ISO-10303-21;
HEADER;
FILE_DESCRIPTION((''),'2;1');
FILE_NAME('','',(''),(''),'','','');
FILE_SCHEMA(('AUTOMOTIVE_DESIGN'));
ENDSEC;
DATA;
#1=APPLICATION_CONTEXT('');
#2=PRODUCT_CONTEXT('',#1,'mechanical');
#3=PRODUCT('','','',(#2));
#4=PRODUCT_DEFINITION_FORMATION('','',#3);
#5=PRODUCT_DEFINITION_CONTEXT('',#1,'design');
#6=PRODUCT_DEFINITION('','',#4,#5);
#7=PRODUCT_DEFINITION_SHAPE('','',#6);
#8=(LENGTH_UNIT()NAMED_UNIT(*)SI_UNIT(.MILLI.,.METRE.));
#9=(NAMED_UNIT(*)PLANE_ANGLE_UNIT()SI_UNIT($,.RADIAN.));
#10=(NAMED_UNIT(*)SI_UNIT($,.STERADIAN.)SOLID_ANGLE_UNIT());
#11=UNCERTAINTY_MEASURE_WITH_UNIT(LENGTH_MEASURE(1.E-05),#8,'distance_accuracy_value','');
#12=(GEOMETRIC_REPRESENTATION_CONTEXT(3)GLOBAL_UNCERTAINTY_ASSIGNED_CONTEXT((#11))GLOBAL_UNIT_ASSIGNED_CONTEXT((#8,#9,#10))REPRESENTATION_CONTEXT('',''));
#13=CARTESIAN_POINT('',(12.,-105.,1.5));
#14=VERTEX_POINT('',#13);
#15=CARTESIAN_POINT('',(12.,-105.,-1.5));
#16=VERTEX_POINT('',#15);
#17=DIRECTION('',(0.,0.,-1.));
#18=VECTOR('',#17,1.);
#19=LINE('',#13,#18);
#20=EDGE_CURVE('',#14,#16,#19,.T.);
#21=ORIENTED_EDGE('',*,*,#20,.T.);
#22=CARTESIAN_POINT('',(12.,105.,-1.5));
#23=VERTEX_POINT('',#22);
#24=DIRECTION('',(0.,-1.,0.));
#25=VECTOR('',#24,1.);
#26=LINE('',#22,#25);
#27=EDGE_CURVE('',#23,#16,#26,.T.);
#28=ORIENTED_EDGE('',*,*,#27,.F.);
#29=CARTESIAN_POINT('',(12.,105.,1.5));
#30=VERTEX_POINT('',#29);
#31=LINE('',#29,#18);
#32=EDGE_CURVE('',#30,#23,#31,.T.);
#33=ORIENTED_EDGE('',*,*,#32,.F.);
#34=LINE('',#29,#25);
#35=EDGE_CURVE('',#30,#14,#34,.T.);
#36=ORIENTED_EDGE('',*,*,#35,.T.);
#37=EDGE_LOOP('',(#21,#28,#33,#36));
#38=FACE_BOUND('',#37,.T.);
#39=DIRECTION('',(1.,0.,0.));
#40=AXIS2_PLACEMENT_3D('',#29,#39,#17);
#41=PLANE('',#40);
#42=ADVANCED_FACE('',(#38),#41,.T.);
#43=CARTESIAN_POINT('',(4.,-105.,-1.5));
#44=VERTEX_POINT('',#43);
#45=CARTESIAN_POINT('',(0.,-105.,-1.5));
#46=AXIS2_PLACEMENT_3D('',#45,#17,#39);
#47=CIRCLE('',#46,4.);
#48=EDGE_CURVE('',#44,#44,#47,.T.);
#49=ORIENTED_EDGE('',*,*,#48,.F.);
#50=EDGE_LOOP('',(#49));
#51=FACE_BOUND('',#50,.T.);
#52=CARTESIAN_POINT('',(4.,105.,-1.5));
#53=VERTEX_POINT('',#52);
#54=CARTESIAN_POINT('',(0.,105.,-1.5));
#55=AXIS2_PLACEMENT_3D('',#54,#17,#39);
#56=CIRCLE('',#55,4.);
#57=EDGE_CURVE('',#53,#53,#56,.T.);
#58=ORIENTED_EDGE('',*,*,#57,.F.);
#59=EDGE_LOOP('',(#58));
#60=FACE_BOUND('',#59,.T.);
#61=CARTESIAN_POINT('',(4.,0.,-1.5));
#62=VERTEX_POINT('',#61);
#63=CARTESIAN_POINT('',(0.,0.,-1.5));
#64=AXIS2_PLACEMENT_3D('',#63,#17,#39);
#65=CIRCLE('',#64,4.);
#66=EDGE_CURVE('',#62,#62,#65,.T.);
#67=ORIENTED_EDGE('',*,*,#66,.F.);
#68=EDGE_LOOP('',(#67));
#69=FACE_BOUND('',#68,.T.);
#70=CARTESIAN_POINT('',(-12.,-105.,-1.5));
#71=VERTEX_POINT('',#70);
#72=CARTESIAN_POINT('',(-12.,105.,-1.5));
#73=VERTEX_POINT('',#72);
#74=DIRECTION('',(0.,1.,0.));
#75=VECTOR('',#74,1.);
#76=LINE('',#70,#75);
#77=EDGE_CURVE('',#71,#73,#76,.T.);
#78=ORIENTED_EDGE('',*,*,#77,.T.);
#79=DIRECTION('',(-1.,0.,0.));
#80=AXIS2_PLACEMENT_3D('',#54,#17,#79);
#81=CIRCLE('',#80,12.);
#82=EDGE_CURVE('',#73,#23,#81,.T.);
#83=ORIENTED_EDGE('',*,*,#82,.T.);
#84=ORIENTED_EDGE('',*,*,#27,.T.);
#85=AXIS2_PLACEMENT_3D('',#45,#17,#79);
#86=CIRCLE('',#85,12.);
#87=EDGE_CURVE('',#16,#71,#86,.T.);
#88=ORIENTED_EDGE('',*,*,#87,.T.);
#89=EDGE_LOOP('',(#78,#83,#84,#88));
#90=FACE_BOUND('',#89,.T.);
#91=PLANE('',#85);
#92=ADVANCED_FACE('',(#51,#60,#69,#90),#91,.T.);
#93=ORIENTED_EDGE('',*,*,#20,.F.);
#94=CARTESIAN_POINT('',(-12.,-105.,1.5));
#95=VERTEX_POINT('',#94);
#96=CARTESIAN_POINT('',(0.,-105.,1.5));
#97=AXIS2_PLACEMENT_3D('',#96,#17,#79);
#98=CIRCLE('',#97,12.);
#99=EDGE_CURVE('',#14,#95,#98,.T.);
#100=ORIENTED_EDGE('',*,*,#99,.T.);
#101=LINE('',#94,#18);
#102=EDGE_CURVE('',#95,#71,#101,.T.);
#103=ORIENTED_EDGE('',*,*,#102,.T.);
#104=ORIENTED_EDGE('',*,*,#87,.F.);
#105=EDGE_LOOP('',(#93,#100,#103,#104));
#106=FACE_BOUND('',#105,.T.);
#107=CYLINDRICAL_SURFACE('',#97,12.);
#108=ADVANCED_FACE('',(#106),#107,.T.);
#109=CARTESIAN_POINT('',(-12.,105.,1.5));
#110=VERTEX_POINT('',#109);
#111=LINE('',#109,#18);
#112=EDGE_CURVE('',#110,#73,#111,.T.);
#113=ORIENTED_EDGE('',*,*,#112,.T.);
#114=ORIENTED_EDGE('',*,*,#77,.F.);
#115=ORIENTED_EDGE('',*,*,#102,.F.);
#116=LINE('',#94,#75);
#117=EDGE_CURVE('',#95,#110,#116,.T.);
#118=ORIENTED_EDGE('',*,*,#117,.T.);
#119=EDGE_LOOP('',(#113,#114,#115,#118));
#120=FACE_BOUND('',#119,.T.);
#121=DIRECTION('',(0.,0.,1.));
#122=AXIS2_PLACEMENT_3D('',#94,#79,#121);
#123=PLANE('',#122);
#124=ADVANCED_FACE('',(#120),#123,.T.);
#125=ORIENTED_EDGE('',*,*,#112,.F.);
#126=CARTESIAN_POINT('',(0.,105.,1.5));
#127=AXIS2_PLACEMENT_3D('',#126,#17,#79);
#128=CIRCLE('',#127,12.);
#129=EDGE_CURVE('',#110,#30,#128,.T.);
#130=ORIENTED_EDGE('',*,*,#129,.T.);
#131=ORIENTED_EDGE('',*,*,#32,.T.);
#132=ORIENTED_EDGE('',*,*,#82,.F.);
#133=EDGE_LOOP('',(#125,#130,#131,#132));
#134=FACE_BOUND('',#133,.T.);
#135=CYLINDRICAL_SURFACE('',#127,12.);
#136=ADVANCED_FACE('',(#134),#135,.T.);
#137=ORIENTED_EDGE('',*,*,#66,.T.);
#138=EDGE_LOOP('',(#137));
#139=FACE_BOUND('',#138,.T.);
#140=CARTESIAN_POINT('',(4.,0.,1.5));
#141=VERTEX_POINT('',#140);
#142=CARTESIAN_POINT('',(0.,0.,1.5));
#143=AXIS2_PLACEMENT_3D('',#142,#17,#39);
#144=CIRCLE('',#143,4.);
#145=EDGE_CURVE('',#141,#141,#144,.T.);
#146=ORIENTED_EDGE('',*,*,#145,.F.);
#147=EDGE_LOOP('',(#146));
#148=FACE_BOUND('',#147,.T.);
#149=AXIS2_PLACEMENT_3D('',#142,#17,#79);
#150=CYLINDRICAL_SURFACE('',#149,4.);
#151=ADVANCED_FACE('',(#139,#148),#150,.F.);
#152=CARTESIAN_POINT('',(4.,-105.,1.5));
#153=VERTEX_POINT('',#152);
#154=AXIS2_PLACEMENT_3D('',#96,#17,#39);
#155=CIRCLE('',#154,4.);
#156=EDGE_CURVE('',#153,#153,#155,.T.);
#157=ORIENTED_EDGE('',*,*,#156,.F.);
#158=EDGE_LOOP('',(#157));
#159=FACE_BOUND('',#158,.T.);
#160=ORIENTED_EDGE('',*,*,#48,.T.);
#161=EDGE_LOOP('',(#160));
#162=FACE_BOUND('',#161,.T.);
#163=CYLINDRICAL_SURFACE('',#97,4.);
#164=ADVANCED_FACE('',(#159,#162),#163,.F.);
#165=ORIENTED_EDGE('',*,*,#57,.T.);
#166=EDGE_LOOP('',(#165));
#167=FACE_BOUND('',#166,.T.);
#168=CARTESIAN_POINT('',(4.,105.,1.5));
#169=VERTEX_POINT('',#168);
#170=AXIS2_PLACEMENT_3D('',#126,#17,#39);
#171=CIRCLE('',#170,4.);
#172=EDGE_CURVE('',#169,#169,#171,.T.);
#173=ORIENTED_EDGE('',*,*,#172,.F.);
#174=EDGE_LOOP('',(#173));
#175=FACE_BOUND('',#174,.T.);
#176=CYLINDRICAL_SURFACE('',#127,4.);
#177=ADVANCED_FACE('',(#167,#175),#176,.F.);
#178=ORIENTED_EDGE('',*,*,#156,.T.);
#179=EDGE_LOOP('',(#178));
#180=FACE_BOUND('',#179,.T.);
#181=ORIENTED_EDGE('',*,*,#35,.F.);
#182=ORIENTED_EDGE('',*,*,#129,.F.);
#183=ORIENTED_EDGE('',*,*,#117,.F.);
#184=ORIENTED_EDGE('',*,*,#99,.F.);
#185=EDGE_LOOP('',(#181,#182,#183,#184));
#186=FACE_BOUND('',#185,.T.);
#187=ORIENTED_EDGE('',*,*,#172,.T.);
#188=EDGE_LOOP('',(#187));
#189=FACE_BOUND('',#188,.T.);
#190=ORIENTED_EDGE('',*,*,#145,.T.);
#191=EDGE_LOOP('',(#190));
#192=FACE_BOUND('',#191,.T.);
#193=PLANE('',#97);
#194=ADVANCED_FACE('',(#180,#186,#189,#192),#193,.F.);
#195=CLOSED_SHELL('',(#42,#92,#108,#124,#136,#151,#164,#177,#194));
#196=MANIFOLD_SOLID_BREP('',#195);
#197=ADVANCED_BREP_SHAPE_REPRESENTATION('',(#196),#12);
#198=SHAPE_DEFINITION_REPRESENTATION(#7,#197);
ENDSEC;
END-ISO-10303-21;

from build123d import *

# Parameters (mm, degrees)
IZIM1_R                     = 4
Y_KSEKLIK_EKSTR_ZYON1_DEPTH = 3


with BuildPart() as part:
    # Çizim1 → Yükseklik-Ekstrüzyon1 (new body)
    with BuildSketch(Plane(origin=(0, 0, -1.5), x_dir=(-1, 0, 0), z_dir=(0, 0, -1))):
        with BuildLine():
            Line((12, -105), (12, 105))
            ThreePointArc((12, 105), (0, 117), (-12, 105))
            Line((-12, 105), (-12, -105))
            ThreePointArc((-12, -105), (0, -117), (12, -105))
        make_face()
        with Locations(Location((0, -105, 0), (0, 0, 180))):
            Circle(IZIM1_R, mode=Mode.SUBTRACT)
        with Locations(Location((0, 0, 0), (0, 0, 180))):
            Circle(IZIM1_R, mode=Mode.SUBTRACT)
        with Locations(Location((0, 105, 0), (0, 0, 180))):
            Circle(IZIM1_R, mode=Mode.SUBTRACT)
    extrude(amount=-Y_KSEKLIK_EKSTR_ZYON1_DEPTH)


solid = part.part
